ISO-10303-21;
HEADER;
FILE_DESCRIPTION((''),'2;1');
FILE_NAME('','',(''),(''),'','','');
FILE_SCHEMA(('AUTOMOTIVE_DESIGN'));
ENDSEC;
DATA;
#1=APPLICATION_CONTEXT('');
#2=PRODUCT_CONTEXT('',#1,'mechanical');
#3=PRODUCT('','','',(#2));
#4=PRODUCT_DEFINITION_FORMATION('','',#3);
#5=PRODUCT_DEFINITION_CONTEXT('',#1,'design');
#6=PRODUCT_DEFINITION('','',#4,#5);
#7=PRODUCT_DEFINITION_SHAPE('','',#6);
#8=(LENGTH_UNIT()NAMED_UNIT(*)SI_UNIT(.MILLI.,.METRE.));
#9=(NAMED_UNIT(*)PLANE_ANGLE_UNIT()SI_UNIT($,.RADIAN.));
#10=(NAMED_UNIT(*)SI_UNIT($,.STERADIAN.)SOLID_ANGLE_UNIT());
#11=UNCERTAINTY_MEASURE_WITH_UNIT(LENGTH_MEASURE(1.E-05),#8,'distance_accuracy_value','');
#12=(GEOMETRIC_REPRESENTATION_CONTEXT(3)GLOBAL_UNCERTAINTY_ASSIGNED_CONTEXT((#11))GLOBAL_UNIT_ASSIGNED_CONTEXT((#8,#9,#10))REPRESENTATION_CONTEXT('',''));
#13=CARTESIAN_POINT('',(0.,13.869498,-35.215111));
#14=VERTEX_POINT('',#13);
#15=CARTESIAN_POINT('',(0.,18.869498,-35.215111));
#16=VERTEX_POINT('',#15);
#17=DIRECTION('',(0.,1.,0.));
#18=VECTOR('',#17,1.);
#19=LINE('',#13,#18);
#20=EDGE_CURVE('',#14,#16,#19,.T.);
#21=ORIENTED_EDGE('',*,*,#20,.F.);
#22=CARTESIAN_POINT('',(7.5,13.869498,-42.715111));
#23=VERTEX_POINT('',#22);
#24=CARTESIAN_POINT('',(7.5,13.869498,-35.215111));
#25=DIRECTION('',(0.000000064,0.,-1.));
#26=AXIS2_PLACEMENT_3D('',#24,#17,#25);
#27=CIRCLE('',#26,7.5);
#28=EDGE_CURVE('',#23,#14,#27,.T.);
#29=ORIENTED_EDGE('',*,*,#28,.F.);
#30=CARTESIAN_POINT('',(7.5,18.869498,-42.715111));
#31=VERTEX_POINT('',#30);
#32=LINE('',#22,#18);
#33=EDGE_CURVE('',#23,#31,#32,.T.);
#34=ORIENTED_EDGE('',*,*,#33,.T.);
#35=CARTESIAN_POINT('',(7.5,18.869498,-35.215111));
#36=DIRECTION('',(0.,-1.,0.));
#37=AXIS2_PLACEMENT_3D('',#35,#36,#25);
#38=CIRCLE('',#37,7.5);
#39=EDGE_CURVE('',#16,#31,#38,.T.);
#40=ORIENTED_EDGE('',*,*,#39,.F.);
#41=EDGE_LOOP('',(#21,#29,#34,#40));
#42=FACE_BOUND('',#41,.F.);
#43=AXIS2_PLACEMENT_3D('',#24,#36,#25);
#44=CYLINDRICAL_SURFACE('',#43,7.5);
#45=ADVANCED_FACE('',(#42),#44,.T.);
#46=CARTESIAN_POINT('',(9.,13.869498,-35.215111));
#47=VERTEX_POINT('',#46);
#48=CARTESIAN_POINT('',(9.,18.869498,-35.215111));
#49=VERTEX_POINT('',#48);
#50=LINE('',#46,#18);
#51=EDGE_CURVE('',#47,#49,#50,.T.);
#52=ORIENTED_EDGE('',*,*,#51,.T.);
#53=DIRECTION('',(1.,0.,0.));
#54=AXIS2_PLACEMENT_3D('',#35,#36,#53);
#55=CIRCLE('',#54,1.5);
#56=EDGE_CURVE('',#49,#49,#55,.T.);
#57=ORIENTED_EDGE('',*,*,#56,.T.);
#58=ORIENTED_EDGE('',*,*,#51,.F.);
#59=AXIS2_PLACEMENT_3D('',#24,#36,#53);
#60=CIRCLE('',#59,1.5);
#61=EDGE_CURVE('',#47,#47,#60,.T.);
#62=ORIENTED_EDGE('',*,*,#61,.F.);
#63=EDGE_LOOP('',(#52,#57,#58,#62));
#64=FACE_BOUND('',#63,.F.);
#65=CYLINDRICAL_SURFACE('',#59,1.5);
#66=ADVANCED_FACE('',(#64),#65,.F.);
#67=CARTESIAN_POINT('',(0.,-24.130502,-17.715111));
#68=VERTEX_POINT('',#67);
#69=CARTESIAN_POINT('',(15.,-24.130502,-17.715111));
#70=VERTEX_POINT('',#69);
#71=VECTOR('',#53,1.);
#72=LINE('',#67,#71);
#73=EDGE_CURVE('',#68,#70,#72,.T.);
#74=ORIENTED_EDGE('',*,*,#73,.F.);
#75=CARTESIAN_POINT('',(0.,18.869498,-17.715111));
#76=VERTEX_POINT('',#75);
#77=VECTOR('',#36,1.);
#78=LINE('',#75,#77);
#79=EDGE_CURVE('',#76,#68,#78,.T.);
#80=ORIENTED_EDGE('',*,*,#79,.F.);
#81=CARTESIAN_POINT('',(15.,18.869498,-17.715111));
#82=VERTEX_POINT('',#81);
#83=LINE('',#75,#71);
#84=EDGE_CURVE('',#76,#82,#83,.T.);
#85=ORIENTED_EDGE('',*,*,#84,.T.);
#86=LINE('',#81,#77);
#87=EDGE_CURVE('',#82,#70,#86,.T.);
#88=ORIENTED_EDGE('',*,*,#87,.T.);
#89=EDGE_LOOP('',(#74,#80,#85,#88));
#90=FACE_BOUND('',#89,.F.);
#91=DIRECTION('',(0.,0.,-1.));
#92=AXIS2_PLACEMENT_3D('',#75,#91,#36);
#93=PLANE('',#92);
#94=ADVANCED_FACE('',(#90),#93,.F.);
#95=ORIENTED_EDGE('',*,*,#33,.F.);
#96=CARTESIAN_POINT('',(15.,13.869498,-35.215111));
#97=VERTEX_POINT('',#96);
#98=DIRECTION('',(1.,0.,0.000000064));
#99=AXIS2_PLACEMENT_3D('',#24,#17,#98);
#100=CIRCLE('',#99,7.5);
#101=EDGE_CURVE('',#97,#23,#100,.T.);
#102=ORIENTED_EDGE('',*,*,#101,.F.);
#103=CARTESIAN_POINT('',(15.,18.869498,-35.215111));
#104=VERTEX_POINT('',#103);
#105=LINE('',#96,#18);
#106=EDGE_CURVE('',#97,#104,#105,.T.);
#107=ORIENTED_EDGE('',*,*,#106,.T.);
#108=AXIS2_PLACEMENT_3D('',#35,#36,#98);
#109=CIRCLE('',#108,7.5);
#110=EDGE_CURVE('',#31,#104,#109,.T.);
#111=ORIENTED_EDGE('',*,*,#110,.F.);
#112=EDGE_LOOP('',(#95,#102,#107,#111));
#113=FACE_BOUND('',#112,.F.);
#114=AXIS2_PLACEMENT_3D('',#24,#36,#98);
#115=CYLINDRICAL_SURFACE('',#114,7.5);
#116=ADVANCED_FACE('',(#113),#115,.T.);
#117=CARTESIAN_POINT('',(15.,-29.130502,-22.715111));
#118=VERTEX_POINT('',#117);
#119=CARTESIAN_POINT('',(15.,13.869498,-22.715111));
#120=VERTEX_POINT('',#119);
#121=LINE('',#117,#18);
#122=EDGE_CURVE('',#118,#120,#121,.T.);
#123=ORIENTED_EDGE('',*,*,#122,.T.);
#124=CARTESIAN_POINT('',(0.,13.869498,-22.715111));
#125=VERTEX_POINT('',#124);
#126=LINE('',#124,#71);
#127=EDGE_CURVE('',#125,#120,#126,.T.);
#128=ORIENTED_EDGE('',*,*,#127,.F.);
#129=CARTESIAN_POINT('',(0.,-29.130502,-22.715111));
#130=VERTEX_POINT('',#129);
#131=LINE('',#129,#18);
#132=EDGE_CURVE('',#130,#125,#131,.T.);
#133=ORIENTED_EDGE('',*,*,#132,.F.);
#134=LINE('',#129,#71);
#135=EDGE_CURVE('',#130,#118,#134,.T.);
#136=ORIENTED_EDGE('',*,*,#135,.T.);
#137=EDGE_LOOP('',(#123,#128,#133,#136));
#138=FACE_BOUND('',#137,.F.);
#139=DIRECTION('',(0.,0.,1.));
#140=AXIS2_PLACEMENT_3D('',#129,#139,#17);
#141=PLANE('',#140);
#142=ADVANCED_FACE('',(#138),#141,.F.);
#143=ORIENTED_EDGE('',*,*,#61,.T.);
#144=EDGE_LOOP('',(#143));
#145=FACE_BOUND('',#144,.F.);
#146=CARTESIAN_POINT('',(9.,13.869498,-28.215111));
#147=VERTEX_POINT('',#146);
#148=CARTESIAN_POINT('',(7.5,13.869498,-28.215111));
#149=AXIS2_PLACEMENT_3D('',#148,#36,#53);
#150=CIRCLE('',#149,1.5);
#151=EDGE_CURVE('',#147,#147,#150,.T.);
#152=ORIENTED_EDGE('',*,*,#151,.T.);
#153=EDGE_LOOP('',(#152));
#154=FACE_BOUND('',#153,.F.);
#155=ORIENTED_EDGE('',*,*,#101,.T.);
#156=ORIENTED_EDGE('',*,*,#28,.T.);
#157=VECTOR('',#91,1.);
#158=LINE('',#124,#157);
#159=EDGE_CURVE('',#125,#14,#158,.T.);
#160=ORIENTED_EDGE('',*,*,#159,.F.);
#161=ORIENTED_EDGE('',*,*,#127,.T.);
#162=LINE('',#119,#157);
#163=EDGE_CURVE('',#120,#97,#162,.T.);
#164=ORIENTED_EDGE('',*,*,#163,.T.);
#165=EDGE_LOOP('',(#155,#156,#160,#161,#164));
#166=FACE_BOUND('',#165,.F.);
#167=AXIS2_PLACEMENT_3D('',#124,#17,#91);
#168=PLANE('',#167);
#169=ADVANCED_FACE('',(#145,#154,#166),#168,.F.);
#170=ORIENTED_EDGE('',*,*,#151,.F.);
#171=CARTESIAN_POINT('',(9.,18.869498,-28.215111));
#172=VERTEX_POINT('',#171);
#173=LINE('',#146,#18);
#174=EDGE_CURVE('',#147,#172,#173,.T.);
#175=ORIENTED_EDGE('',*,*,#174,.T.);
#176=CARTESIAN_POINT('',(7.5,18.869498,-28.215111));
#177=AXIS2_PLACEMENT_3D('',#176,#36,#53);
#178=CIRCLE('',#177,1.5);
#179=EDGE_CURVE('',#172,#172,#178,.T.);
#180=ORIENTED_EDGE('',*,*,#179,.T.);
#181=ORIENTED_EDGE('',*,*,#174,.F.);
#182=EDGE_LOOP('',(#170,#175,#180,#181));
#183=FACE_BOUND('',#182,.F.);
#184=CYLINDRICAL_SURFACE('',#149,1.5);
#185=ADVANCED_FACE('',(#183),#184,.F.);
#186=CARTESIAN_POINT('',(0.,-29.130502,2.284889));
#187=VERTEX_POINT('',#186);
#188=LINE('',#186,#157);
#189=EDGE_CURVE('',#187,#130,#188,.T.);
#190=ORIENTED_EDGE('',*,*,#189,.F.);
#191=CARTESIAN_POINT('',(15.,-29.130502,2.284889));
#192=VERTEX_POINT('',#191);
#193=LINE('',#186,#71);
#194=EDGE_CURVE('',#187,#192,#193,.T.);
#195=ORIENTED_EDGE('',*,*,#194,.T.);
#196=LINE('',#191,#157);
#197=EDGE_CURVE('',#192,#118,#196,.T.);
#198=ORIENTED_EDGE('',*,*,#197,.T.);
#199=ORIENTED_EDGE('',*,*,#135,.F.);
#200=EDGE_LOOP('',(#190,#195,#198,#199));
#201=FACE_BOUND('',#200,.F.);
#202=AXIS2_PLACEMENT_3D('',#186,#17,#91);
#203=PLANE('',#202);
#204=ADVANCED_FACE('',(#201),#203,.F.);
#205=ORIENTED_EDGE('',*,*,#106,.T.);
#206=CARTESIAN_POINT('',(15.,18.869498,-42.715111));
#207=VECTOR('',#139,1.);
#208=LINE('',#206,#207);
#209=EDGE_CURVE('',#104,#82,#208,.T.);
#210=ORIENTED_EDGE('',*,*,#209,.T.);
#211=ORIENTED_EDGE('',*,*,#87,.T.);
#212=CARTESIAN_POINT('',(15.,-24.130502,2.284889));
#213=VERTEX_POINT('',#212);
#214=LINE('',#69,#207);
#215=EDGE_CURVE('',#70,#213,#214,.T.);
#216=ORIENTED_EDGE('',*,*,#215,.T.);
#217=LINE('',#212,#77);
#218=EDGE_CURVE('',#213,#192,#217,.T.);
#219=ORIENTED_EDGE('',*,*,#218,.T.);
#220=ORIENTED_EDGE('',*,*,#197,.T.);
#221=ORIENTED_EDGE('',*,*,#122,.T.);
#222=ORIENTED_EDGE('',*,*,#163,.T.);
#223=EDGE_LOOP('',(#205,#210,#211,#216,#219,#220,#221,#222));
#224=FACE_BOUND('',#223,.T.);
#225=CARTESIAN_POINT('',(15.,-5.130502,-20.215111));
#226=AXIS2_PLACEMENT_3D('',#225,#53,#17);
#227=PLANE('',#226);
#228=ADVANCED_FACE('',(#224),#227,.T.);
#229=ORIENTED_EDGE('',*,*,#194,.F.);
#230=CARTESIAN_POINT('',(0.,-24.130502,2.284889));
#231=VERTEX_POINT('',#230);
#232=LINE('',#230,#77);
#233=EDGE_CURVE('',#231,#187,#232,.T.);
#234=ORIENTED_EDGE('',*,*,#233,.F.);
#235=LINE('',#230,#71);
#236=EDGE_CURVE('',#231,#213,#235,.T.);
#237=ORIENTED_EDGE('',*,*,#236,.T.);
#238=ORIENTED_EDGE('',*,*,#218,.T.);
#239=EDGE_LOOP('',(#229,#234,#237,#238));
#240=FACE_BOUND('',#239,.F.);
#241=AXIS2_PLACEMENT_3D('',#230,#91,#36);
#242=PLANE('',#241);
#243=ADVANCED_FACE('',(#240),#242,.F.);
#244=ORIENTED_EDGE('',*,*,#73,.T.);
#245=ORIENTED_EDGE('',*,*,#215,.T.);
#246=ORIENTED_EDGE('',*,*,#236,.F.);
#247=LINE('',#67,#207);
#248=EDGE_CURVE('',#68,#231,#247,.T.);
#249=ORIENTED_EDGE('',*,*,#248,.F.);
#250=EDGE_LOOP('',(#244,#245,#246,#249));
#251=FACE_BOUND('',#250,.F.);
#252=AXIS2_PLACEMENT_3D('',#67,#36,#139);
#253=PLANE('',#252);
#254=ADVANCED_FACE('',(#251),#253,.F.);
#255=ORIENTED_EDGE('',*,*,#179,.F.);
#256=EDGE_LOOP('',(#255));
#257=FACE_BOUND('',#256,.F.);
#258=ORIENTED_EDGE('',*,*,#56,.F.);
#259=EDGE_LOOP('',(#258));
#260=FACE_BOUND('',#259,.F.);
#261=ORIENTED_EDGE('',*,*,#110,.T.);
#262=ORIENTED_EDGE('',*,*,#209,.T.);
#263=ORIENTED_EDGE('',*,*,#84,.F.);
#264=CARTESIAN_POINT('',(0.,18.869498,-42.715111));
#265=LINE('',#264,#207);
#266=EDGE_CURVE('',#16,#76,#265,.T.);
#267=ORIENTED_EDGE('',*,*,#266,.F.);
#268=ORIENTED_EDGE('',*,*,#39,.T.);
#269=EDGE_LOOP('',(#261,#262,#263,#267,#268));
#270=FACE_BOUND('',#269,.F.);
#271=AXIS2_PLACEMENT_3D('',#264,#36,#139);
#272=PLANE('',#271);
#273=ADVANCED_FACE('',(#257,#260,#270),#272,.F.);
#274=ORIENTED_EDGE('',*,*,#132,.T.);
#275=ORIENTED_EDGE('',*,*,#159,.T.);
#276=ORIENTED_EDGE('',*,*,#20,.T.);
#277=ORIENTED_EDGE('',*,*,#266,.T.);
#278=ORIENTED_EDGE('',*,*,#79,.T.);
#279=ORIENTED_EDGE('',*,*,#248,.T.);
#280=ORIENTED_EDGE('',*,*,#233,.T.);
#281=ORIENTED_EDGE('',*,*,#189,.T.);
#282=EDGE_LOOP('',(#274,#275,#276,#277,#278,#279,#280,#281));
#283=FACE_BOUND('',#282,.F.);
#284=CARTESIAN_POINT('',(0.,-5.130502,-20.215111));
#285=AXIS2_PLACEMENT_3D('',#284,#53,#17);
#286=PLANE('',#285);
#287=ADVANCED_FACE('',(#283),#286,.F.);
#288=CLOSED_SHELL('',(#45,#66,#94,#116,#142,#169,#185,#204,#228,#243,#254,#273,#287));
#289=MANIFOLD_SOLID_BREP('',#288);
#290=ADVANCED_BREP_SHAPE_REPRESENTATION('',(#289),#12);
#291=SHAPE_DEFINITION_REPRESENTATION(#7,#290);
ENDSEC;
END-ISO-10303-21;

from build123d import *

# Parameters (mm, degrees)
F1_DEPTH = 15
F2_R     = 1.5
F3_DEPTH = 5.001


with BuildPart() as f1:
    # F0 (on Right) → F1 (new body)
    with BuildSketch(Plane.YZ):
        Polygon((-24.130502, -17.715111), (-24.130502, 2.284889), (-29.130502, 2.284889), (-29.130502, -22.715111), (13.869498, -22.715111), (13.869498, -42.715111), (18.869498, -42.715111), (18.869498, -17.715111), align=None)
    extrude(amount=F1_DEPTH)

    # F2 (on face) → F3 (cut, through all)
    with BuildSketch(Plane.XZ.offset(-13.869498)):
        with BuildLine():
            ThreePointArc((15, -35.215111), (12.803301, -40.518412), (7.5, -42.715111))
            Line((7.5, -42.715111), (15, -42.715111))
            Line((15, -42.715111), (15, -35.215111))
        make_face()
        with BuildLine():
            ThreePointArc((7.5, -42.715111), (2.196699, -40.518412), (0, -35.215111))
            Line((0, -35.215111), (0, -42.715111))
            Line((0, -42.715111), (7.5, -42.715111))
        make_face()
        with Locations((7.5, -35.215111)):
            Circle(F2_R)
        with Locations((7.5, -28.215111)):
            Circle(F2_R)
    extrude(amount=-F3_DEPTH, mode=Mode.SUBTRACT)


solid = f1.part
